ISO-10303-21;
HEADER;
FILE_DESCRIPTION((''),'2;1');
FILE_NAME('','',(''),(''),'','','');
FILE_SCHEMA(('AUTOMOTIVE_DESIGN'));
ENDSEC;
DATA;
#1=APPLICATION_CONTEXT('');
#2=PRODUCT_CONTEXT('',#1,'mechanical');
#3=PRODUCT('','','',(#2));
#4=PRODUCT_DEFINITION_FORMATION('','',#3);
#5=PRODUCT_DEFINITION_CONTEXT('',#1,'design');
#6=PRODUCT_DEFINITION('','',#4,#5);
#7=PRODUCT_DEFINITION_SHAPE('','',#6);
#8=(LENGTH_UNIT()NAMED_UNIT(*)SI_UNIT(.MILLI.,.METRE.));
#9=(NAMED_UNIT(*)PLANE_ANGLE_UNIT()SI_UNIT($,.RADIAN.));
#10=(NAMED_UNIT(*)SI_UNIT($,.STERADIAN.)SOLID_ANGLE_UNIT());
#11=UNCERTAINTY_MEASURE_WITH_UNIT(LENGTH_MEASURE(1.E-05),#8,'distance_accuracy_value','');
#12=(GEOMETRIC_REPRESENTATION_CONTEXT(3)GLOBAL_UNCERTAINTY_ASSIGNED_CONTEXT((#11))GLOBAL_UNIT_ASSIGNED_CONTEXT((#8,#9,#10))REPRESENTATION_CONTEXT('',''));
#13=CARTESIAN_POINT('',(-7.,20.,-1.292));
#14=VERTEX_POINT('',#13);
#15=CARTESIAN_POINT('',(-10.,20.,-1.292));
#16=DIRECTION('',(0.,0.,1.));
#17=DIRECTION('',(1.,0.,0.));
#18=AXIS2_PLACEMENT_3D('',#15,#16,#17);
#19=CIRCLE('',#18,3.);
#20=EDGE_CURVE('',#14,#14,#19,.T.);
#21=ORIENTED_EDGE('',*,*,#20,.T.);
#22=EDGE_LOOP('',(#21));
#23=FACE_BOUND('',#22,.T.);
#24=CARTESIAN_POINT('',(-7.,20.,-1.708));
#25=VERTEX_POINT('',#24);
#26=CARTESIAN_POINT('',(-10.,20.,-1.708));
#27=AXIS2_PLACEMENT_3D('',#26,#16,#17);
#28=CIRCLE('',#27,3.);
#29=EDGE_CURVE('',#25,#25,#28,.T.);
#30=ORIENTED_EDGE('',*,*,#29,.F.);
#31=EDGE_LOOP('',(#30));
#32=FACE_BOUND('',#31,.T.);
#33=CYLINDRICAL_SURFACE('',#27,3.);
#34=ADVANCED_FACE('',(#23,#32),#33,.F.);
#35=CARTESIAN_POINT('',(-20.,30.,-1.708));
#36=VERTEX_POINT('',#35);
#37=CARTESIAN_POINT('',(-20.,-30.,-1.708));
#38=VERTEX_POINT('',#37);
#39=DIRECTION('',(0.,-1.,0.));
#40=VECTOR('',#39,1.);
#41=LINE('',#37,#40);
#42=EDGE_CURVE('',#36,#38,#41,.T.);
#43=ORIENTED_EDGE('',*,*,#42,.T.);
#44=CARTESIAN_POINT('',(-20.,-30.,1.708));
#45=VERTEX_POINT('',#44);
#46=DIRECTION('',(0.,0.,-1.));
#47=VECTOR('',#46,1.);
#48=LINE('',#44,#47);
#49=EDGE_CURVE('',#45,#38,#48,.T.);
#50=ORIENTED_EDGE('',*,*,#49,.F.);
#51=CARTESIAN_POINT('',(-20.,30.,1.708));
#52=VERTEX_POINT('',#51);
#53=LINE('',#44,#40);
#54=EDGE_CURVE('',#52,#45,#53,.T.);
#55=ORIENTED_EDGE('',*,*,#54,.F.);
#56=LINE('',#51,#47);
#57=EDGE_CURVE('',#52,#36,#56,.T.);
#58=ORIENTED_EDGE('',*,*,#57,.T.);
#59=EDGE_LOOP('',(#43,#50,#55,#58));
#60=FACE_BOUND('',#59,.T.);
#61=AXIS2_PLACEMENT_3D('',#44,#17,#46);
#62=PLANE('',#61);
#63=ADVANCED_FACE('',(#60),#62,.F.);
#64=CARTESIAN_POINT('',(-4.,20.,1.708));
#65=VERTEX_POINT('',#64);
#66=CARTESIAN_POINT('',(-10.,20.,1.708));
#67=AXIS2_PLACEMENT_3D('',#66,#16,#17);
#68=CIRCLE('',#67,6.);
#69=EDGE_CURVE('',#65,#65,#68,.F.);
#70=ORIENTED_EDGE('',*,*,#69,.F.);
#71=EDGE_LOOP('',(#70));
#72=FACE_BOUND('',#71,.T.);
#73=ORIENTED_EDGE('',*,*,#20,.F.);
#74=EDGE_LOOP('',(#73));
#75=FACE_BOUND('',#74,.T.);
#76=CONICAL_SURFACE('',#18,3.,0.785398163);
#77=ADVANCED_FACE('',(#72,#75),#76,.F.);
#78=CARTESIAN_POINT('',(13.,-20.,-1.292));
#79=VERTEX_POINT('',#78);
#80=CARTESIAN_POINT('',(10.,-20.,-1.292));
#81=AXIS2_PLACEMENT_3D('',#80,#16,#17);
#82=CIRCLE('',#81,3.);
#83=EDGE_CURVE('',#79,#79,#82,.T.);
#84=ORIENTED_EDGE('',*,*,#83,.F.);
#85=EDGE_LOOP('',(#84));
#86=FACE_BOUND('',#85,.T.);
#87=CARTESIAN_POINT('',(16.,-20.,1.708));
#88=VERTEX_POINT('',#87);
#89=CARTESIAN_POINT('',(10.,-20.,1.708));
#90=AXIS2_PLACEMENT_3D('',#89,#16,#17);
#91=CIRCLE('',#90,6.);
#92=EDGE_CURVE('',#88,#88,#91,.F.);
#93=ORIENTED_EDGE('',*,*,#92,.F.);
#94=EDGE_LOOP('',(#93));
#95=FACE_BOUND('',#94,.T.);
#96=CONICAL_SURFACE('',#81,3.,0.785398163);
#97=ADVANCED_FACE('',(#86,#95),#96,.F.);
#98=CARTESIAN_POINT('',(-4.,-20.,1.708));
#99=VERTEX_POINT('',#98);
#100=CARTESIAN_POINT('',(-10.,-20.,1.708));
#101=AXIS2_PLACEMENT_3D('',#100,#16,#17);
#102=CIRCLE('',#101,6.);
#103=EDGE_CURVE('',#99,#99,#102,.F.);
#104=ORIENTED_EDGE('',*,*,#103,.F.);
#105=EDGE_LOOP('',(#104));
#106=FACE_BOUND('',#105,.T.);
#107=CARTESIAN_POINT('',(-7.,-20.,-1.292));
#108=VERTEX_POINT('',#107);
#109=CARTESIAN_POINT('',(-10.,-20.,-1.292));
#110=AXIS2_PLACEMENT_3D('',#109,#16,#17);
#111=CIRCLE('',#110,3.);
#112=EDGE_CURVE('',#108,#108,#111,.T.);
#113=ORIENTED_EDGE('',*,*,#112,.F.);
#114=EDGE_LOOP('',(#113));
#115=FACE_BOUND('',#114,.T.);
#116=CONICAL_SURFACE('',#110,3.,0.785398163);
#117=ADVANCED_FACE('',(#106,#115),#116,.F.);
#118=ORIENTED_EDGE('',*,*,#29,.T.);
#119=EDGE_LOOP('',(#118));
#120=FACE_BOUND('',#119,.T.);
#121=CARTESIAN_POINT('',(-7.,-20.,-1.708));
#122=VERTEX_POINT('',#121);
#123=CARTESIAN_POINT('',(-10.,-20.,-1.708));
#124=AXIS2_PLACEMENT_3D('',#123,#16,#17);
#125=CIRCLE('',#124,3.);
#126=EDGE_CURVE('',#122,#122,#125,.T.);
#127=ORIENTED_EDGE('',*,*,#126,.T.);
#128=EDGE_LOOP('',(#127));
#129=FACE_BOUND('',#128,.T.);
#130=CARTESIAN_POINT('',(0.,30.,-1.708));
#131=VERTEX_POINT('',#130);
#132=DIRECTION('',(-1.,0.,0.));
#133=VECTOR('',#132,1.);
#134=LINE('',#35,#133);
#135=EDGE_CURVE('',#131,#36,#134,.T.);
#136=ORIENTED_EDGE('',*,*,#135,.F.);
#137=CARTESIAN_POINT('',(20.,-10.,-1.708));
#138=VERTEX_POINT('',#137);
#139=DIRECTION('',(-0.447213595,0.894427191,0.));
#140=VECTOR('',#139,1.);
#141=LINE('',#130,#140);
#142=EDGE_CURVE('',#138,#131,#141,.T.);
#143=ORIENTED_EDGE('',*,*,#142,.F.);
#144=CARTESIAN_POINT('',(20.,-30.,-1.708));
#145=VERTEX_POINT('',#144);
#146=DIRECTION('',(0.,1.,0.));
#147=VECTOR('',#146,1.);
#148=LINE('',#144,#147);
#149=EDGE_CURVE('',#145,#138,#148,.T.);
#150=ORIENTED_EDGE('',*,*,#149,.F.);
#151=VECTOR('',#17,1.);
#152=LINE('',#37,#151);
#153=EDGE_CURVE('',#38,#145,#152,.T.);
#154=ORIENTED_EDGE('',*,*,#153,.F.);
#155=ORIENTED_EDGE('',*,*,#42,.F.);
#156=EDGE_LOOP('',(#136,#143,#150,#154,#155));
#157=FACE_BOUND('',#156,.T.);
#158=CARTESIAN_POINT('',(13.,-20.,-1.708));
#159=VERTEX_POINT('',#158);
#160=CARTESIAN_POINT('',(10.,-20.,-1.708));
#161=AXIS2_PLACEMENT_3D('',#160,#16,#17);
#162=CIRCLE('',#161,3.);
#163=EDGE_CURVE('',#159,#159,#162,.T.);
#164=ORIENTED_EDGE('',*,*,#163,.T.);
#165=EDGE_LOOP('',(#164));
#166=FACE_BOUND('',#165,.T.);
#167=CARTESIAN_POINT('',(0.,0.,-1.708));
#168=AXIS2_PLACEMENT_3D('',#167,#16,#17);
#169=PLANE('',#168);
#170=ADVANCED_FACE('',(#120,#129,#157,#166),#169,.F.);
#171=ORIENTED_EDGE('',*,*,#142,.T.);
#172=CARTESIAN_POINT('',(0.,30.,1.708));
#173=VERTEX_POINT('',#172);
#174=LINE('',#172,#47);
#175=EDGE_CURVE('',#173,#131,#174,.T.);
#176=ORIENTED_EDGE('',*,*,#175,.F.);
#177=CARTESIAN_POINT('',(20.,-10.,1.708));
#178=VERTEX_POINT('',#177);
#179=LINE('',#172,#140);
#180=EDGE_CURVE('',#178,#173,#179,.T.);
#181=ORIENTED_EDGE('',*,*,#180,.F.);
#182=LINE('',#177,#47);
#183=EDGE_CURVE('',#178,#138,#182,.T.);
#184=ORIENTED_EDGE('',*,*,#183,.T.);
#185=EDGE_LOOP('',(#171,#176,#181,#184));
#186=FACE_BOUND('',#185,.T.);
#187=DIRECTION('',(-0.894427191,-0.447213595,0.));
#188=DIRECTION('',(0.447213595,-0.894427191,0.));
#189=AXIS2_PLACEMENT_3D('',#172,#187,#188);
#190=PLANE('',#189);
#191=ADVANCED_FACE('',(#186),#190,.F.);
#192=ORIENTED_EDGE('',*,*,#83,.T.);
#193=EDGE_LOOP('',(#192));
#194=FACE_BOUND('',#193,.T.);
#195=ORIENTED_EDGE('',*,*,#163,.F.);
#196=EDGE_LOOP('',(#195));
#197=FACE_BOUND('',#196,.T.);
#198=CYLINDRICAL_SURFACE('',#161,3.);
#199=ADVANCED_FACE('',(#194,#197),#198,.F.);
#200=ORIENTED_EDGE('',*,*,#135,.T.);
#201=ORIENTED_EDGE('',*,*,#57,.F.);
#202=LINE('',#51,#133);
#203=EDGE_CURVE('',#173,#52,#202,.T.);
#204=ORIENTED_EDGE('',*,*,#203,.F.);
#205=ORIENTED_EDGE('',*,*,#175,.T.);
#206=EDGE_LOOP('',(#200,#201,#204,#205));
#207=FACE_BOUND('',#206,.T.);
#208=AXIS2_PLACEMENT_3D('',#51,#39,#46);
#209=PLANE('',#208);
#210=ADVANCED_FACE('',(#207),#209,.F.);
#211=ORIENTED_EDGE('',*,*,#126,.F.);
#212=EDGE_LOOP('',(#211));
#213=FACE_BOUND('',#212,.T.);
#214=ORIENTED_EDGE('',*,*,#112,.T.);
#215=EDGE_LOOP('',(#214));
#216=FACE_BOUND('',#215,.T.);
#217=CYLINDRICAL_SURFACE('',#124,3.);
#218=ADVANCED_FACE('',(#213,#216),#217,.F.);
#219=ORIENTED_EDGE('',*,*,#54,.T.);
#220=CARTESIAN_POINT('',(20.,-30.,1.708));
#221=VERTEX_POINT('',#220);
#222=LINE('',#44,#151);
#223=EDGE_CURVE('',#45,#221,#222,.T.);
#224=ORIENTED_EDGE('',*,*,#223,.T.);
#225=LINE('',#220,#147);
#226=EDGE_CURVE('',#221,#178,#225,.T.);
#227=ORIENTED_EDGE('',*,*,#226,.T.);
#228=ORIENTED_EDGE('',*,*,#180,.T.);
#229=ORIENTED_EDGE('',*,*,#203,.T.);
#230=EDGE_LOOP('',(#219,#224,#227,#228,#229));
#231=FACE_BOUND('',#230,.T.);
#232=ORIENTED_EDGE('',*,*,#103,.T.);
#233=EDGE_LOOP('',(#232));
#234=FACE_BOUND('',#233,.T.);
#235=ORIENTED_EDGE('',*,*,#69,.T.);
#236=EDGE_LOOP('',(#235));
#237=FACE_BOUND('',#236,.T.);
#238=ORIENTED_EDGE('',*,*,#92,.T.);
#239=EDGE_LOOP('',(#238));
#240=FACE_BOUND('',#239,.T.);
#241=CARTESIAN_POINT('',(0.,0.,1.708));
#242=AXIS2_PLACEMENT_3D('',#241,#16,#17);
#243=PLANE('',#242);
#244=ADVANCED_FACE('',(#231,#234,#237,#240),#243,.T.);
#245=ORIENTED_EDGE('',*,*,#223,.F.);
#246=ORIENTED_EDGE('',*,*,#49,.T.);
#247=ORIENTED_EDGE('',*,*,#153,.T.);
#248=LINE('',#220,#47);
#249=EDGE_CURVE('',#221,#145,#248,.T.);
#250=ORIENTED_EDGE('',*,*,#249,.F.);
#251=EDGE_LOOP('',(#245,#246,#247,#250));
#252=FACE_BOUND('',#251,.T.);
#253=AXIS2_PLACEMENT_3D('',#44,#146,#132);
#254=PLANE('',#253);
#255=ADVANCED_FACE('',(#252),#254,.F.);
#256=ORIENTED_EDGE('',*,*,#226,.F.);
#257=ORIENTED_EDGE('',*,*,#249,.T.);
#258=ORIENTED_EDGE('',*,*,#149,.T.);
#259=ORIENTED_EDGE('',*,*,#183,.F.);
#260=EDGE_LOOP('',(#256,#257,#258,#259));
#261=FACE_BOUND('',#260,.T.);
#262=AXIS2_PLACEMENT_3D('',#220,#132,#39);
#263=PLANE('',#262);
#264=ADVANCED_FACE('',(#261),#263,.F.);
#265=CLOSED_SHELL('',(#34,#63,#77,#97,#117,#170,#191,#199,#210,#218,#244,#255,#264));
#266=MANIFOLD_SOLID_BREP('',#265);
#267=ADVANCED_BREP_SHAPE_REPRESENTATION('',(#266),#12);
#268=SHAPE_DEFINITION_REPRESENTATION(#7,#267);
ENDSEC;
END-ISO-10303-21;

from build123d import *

# Parameters (mm, degrees)
BOSS_EXTRUDE1_DEPTH = 1.708
SKETCH2_R           = 3
CUT_EXTRUDE1_DEPTH  = 4.416
CHAMFER1_SIZE       = 3


with BuildPart() as part:
    # Sketch1 → Boss-Extrude1 (new body, symmetric)
    with BuildSketch(Plane.XY):
        Polygon((-20, -30), (-20, 30), (0, 30), (20, -10), (20, -30), align=None)
    extrude(amount=BOSS_EXTRUDE1_DEPTH, both=True)

    # Sketch2 → Cut-Extrude1 (cut, through all)
    with BuildSketch(Plane.XY.offset(1.708)):
        with Locations((-10, 20)):
            Circle(SKETCH2_R)
        with Locations((-10, -20)):
            Circle(SKETCH2_R)
        with Locations((10, -20)):
            Circle(SKETCH2_R)
    extrude(amount=-CUT_EXTRUDE1_DEPTH, mode=Mode.SUBTRACT)

    # Chamfer1
    chamfer1_edges = [part.edges().sort_by_distance(p)[0] for p in [
        (-13, 20, 1.708),
        (-13, -20, 1.708),
        (7, -20, 1.708),
    ]]
    chamfer(chamfer1_edges, length=CHAMFER1_SIZE)


solid = part.part
